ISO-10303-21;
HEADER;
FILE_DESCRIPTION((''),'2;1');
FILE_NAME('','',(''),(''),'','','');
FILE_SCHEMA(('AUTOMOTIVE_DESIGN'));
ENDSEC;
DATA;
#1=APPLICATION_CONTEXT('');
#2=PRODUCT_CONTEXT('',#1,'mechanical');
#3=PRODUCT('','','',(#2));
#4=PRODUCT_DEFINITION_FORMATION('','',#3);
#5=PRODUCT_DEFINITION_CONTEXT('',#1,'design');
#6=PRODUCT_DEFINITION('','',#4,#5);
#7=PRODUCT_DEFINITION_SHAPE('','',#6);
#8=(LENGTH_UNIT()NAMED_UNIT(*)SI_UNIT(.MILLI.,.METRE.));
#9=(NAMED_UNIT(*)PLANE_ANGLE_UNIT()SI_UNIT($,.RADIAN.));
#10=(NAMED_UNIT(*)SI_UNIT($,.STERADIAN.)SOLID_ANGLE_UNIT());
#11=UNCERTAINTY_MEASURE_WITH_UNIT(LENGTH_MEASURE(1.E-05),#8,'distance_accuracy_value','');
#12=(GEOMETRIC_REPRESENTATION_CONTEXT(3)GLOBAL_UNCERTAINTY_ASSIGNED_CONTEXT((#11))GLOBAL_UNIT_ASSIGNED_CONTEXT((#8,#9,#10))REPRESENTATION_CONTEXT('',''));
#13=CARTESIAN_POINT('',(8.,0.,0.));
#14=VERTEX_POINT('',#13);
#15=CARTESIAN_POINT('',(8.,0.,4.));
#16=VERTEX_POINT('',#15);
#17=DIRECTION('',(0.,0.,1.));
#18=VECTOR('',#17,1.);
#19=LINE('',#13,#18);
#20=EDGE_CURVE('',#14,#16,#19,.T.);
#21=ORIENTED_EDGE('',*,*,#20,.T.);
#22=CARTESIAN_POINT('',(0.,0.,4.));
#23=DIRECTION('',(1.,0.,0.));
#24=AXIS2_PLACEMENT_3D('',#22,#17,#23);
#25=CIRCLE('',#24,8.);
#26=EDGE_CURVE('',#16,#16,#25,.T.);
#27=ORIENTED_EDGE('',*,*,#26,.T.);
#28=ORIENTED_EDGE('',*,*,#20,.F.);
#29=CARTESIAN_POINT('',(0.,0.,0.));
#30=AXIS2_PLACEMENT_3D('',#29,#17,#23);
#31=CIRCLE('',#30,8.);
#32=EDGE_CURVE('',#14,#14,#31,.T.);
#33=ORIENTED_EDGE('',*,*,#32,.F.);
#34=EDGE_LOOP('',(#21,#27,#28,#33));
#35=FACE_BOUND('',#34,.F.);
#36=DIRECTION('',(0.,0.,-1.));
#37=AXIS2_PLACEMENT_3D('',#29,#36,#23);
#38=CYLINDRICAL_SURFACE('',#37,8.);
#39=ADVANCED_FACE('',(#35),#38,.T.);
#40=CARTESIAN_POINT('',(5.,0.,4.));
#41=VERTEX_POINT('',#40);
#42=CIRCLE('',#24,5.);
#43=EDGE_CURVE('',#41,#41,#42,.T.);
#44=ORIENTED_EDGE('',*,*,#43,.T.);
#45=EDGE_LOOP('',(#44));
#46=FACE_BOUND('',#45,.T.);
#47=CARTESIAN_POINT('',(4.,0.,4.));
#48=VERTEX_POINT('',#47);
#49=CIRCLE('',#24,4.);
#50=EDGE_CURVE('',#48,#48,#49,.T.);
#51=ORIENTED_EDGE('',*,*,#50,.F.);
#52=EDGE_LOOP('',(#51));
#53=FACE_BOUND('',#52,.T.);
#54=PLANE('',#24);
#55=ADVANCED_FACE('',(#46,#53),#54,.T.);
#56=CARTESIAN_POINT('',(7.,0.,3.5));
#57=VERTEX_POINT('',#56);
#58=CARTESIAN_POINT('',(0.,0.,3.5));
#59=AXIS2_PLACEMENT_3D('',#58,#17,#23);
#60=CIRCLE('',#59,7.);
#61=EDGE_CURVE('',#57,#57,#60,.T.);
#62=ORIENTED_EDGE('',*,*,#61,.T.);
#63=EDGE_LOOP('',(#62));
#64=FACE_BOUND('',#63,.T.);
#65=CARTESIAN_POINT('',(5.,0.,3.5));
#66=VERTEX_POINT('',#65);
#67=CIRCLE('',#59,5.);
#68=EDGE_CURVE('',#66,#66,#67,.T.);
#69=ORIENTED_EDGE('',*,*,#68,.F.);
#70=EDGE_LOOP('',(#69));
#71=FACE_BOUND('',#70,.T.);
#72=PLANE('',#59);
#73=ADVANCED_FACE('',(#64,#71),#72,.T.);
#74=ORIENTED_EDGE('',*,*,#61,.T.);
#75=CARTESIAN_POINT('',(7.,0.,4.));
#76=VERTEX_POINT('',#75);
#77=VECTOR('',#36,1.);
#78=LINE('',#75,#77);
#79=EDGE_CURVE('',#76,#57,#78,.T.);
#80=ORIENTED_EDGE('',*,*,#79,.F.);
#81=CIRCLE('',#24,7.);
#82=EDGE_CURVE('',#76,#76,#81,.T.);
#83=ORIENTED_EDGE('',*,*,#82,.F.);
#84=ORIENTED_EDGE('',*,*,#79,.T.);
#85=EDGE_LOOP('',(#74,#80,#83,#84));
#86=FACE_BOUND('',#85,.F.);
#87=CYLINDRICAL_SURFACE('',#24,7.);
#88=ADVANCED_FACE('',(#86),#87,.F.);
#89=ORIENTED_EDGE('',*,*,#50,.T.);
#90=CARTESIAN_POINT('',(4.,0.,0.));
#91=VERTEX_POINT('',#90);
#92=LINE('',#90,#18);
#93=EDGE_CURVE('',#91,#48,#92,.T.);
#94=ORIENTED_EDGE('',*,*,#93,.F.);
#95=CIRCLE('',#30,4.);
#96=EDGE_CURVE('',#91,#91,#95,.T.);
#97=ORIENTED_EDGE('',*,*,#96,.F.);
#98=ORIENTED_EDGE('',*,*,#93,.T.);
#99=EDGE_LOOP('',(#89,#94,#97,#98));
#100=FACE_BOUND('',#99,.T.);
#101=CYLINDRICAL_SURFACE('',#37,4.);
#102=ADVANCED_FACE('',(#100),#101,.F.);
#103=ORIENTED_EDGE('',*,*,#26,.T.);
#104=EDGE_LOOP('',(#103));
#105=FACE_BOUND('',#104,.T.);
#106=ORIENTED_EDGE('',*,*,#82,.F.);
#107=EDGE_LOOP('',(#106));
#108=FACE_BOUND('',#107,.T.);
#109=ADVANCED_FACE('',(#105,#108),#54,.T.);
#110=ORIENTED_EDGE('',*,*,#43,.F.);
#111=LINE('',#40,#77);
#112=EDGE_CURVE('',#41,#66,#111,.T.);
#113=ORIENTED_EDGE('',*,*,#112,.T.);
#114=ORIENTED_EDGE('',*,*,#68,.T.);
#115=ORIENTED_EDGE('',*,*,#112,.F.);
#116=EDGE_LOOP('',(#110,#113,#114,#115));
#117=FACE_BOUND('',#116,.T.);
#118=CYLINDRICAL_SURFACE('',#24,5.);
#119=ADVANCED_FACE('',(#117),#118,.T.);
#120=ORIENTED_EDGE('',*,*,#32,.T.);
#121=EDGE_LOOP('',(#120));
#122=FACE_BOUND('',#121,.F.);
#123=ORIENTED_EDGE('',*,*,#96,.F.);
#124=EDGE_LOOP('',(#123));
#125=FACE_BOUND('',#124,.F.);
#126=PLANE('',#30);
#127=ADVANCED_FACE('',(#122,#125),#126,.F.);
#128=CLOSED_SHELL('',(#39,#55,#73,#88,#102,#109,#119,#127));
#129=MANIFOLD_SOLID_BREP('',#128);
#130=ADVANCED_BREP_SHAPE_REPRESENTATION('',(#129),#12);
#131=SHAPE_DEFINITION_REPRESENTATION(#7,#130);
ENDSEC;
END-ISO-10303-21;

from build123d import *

# Parameters (mm, degrees)
SKETCH016_R     = 8
SKETCH016_R_2   = 4
PAD009_DEPTH    = 4
SKETCH017_R     = 7
SKETCH017_R_2   = 5
POCKET008_DEPTH = 0.5
SKETCH018_R     = 20
SKETCH018_R_2   = 16
POCKET009_DEPTH = 0.5


with BuildPart() as part:
    # Sketch016 → Pad009 (new body)
    with BuildSketch(Plane.XY):
        Circle(SKETCH016_R)
        Circle(SKETCH016_R_2, mode=Mode.SUBTRACT)
    extrude(amount=PAD009_DEPTH)

    # Sketch017 → Pocket008 (cut)
    with BuildSketch(Plane.XY.offset(4)):
        Circle(SKETCH017_R)
        Circle(SKETCH017_R_2, mode=Mode.SUBTRACT)
    extrude(amount=-POCKET008_DEPTH, mode=Mode.SUBTRACT)

    # Sketch018 → Pocket009 (cut)
    with BuildSketch(Plane.XY):
        Circle(SKETCH018_R)
        Circle(SKETCH018_R_2, mode=Mode.SUBTRACT)
    extrude(amount=POCKET009_DEPTH, mode=Mode.SUBTRACT)


solid = part.part
